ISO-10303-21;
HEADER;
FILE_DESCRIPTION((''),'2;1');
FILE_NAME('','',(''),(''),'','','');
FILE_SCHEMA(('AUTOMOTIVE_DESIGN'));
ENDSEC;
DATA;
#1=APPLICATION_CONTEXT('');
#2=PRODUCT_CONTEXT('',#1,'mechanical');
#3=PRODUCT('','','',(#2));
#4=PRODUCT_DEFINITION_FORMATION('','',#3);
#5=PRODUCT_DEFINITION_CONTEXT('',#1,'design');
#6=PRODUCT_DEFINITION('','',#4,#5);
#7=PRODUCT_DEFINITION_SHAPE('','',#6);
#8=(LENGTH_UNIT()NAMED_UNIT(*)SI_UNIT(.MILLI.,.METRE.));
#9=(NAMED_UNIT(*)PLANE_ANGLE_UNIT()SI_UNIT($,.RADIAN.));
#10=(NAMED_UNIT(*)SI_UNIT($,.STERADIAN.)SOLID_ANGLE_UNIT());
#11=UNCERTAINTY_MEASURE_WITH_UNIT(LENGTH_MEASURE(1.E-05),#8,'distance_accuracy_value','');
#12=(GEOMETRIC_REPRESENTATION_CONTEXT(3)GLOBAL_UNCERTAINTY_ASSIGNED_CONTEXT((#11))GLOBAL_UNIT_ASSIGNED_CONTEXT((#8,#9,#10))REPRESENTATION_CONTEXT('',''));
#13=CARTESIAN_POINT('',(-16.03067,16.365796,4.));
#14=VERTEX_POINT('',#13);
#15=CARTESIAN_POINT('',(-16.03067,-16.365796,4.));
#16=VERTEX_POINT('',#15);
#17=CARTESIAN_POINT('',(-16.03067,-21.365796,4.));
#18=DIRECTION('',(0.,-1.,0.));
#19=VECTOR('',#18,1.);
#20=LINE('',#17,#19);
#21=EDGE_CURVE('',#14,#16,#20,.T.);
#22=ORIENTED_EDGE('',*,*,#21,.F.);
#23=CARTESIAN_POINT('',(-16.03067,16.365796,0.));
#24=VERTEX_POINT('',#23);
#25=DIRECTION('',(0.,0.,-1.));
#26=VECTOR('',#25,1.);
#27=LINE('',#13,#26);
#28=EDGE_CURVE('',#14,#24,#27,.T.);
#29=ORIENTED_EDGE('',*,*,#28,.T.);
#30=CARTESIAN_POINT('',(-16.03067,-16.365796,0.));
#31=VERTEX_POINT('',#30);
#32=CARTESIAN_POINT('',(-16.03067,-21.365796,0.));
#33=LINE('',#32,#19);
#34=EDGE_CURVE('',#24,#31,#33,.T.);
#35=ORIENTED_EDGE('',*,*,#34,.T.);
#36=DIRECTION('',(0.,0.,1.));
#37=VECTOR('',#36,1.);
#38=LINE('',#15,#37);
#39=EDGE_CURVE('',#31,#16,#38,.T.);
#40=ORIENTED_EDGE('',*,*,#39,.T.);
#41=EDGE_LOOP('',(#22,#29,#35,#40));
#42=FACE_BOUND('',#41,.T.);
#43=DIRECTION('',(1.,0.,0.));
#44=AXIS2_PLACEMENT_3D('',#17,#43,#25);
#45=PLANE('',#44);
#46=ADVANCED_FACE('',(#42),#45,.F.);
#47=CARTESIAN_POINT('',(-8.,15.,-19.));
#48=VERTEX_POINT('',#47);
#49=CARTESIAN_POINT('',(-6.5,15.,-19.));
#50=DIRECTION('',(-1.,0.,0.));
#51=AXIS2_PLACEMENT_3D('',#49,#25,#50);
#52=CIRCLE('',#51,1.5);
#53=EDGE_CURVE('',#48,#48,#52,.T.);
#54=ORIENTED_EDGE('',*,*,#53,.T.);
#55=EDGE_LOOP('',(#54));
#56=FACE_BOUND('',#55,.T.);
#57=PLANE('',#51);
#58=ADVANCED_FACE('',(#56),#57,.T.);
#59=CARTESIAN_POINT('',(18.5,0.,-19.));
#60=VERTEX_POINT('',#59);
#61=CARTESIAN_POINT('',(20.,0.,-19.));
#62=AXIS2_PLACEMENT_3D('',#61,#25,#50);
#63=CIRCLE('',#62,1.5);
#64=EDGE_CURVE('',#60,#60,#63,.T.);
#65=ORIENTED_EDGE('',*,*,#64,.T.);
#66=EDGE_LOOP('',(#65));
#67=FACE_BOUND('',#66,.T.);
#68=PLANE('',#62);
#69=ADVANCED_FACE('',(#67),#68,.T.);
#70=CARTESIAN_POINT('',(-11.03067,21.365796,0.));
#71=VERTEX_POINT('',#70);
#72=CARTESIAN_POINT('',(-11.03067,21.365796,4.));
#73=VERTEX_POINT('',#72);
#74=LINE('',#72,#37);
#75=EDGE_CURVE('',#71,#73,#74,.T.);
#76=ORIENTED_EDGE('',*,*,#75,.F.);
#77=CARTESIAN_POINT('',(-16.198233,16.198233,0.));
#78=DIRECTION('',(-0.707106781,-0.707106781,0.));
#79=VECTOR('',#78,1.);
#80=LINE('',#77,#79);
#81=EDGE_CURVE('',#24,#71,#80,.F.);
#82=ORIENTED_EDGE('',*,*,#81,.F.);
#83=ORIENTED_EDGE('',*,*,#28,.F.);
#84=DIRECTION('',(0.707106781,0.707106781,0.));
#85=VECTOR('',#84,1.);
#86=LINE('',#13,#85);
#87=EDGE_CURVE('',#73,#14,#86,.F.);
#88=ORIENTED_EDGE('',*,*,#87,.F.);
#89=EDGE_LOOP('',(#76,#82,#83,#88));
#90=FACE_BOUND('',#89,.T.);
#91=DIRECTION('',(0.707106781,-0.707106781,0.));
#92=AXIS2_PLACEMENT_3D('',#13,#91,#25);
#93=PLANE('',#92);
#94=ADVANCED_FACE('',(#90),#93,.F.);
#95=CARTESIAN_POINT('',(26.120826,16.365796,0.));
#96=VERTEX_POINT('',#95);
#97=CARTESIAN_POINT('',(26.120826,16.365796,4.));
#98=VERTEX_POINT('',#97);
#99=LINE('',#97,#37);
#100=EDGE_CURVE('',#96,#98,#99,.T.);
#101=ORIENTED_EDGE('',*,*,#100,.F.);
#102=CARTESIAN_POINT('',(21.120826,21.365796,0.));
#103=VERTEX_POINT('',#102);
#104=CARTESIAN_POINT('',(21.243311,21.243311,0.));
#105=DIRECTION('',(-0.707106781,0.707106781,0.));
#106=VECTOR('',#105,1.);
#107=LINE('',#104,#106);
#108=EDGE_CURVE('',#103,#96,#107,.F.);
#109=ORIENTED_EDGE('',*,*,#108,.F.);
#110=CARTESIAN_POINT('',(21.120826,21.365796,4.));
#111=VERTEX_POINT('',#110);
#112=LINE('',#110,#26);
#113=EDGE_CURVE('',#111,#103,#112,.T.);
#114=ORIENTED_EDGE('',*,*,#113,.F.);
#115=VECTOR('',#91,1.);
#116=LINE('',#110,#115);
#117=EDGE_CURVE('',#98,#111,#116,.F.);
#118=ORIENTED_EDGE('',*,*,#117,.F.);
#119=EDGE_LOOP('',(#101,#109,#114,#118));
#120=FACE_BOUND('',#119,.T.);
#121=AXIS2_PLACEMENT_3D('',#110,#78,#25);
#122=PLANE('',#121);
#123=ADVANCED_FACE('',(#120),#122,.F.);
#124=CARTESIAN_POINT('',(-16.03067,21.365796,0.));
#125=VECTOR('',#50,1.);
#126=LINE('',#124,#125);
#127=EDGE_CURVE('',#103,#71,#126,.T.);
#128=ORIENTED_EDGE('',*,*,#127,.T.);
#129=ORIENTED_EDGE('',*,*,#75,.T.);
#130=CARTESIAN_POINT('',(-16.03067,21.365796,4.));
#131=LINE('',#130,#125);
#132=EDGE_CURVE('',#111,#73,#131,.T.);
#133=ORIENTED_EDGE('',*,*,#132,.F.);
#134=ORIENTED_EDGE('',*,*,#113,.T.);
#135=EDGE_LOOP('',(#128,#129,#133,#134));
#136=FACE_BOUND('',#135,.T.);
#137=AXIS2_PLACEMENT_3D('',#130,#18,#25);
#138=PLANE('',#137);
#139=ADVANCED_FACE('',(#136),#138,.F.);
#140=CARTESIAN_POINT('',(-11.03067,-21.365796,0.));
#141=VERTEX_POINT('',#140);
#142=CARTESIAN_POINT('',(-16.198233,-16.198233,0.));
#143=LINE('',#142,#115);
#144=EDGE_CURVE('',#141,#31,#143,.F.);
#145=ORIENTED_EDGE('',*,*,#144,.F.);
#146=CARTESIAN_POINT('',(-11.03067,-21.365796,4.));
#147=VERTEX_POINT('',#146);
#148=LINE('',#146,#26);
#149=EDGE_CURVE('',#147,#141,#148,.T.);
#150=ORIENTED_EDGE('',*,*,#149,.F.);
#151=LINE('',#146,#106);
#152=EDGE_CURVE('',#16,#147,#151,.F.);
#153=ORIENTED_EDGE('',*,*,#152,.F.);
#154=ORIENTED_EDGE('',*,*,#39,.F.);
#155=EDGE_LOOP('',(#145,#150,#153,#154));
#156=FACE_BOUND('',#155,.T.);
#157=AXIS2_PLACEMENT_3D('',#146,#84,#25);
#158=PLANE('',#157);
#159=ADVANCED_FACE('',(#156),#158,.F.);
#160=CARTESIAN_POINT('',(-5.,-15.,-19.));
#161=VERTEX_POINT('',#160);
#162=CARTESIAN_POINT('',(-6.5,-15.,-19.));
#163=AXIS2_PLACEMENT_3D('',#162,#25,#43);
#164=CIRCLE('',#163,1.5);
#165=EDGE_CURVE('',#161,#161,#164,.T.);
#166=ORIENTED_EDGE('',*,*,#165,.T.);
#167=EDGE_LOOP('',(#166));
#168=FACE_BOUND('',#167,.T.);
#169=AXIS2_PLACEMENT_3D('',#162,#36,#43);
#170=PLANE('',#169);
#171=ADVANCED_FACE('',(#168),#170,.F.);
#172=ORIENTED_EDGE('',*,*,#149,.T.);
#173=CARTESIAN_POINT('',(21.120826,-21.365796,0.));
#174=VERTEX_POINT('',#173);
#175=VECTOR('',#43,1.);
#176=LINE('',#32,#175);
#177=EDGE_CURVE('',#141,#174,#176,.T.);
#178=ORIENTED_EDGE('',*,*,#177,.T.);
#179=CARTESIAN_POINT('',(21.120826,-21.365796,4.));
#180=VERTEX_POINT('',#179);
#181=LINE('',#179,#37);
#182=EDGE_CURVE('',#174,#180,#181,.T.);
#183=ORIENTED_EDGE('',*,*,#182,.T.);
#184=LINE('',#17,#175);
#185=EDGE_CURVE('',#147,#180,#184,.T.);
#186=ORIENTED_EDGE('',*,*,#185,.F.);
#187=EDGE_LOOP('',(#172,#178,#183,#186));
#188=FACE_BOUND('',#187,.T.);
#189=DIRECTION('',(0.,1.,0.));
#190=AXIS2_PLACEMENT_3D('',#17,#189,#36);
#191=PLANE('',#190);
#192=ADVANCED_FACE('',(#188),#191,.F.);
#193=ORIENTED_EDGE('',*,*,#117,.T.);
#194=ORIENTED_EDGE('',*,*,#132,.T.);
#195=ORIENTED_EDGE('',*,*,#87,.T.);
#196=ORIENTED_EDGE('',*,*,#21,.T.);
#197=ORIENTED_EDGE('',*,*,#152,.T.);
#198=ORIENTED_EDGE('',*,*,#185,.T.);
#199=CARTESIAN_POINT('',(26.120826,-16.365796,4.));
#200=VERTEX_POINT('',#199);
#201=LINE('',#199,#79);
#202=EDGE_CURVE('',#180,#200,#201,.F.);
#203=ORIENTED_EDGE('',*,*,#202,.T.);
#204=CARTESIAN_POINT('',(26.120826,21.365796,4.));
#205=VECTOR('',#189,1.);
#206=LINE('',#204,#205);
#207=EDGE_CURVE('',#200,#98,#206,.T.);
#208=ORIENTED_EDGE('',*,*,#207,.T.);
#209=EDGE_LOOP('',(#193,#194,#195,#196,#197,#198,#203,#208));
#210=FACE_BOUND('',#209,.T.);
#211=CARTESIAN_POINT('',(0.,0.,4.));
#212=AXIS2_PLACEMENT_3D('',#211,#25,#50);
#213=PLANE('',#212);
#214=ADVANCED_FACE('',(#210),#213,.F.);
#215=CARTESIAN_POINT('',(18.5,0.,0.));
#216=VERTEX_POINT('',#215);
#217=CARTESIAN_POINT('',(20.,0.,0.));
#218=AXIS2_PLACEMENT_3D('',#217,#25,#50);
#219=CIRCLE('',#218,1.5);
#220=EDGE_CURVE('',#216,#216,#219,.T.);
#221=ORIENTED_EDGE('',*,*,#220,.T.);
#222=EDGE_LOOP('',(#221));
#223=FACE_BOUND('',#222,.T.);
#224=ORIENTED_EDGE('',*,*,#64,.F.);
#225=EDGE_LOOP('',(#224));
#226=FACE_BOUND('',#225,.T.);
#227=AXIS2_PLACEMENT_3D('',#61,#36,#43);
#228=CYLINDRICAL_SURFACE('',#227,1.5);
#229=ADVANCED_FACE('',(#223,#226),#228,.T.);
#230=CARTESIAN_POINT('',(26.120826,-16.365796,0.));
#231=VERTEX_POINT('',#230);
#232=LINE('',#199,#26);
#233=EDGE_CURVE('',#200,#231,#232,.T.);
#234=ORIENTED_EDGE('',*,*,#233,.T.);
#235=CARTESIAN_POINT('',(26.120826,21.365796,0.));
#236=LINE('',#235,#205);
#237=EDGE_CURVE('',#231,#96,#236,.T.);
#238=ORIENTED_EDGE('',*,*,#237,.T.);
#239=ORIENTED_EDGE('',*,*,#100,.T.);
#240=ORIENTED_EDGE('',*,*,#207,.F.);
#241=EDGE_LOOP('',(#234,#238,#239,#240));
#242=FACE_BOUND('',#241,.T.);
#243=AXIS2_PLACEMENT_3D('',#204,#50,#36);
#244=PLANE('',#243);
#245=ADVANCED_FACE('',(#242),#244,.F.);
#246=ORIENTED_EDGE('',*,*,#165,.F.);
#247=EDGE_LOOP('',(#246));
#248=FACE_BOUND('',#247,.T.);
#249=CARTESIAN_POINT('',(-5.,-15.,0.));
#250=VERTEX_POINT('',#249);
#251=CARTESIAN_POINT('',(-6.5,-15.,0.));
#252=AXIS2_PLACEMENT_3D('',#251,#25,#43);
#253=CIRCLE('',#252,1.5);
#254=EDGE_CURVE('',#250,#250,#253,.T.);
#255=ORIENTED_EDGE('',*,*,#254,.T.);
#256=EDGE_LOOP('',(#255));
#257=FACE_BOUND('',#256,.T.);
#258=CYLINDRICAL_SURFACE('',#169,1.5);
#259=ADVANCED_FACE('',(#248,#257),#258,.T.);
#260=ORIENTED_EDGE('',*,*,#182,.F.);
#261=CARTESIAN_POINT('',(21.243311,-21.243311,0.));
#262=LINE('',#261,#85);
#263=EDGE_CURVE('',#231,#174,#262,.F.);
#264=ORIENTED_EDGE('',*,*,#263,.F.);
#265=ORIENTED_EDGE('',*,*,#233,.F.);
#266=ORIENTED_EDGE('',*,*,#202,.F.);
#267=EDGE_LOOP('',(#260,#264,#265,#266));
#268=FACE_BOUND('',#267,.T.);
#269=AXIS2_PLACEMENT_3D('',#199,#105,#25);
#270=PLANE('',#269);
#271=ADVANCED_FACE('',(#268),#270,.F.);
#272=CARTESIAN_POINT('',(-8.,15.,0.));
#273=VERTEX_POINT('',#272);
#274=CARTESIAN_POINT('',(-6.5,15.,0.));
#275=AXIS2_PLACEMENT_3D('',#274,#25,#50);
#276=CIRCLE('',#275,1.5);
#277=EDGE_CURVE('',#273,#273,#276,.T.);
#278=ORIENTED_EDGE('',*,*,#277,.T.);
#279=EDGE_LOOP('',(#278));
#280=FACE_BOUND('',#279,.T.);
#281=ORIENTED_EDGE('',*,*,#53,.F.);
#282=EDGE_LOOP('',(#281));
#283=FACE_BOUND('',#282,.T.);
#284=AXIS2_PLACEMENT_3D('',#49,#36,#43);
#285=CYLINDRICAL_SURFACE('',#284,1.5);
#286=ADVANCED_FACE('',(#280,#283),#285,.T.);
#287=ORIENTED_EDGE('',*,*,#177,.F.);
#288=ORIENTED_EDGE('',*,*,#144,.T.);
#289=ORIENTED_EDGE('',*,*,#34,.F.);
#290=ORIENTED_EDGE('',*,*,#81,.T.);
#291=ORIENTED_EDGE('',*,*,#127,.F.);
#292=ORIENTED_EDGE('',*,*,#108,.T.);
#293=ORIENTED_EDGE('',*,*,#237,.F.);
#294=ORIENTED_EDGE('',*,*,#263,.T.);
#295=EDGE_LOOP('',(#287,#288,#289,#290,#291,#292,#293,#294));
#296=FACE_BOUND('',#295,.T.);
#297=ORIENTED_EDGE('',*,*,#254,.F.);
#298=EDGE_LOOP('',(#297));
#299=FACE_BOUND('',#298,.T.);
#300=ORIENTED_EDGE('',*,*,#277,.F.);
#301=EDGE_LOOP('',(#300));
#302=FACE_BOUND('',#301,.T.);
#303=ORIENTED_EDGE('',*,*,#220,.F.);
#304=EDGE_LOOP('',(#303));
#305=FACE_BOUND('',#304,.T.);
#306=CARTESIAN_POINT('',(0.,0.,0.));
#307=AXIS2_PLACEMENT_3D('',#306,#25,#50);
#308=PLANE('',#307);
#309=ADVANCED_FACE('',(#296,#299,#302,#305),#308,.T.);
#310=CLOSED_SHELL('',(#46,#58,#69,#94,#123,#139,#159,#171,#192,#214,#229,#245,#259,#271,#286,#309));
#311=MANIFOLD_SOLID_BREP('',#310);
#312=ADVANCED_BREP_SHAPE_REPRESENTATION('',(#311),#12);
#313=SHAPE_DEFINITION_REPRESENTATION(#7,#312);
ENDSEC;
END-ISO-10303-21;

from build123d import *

# Parameters (mm, degrees)
ESQUISSE1_W        = 42.15149663
ESQUISSE1_H        = 42.731591692
BOSS_EXTRU_1_DEPTH = 4
CHANFREIN1_SIZE    = 5
ESQUISSE3_R        = 1.5
BOSS_EXTRU_3_DEPTH = 19


with BuildPart() as part:
    # Esquisse1 → Boss.-Extru.1 (new body)
    with BuildSketch(Plane.XY):
        with Locations((5.045077825, 0)):
            Rectangle(ESQUISSE1_W, ESQUISSE1_H)
    extrude(amount=BOSS_EXTRU_1_DEPTH)

    # Chanfrein1
    chanfrein1_edges = [part.edges().sort_by_distance(p)[0] for p in [
        (-16.03067049, -21.365795846, 2),
        (-16.03067049, 21.365795846, 2),
        (26.12082614, 21.365795846, 2),
        (26.12082614, -21.365795846, 2),
    ]]
    chamfer(chanfrein1_edges, length=CHANFREIN1_SIZE)

    # Esquisse3 → Boss.-Extru.3 (add)
    with BuildSketch(Plane(origin=(0, 0, 0), x_dir=(-1, 0, 0), z_dir=(0, 0, -1))):
        with Locations((-20, 0)):
            Circle(ESQUISSE3_R)
        with Locations((6.5, 15)):
            Circle(ESQUISSE3_R)
        with Locations(Location((6.5, -15, 0), (0, 0, 180))):
            Circle(ESQUISSE3_R)
    extrude(amount=BOSS_EXTRU_3_DEPTH)


solid = part.part
